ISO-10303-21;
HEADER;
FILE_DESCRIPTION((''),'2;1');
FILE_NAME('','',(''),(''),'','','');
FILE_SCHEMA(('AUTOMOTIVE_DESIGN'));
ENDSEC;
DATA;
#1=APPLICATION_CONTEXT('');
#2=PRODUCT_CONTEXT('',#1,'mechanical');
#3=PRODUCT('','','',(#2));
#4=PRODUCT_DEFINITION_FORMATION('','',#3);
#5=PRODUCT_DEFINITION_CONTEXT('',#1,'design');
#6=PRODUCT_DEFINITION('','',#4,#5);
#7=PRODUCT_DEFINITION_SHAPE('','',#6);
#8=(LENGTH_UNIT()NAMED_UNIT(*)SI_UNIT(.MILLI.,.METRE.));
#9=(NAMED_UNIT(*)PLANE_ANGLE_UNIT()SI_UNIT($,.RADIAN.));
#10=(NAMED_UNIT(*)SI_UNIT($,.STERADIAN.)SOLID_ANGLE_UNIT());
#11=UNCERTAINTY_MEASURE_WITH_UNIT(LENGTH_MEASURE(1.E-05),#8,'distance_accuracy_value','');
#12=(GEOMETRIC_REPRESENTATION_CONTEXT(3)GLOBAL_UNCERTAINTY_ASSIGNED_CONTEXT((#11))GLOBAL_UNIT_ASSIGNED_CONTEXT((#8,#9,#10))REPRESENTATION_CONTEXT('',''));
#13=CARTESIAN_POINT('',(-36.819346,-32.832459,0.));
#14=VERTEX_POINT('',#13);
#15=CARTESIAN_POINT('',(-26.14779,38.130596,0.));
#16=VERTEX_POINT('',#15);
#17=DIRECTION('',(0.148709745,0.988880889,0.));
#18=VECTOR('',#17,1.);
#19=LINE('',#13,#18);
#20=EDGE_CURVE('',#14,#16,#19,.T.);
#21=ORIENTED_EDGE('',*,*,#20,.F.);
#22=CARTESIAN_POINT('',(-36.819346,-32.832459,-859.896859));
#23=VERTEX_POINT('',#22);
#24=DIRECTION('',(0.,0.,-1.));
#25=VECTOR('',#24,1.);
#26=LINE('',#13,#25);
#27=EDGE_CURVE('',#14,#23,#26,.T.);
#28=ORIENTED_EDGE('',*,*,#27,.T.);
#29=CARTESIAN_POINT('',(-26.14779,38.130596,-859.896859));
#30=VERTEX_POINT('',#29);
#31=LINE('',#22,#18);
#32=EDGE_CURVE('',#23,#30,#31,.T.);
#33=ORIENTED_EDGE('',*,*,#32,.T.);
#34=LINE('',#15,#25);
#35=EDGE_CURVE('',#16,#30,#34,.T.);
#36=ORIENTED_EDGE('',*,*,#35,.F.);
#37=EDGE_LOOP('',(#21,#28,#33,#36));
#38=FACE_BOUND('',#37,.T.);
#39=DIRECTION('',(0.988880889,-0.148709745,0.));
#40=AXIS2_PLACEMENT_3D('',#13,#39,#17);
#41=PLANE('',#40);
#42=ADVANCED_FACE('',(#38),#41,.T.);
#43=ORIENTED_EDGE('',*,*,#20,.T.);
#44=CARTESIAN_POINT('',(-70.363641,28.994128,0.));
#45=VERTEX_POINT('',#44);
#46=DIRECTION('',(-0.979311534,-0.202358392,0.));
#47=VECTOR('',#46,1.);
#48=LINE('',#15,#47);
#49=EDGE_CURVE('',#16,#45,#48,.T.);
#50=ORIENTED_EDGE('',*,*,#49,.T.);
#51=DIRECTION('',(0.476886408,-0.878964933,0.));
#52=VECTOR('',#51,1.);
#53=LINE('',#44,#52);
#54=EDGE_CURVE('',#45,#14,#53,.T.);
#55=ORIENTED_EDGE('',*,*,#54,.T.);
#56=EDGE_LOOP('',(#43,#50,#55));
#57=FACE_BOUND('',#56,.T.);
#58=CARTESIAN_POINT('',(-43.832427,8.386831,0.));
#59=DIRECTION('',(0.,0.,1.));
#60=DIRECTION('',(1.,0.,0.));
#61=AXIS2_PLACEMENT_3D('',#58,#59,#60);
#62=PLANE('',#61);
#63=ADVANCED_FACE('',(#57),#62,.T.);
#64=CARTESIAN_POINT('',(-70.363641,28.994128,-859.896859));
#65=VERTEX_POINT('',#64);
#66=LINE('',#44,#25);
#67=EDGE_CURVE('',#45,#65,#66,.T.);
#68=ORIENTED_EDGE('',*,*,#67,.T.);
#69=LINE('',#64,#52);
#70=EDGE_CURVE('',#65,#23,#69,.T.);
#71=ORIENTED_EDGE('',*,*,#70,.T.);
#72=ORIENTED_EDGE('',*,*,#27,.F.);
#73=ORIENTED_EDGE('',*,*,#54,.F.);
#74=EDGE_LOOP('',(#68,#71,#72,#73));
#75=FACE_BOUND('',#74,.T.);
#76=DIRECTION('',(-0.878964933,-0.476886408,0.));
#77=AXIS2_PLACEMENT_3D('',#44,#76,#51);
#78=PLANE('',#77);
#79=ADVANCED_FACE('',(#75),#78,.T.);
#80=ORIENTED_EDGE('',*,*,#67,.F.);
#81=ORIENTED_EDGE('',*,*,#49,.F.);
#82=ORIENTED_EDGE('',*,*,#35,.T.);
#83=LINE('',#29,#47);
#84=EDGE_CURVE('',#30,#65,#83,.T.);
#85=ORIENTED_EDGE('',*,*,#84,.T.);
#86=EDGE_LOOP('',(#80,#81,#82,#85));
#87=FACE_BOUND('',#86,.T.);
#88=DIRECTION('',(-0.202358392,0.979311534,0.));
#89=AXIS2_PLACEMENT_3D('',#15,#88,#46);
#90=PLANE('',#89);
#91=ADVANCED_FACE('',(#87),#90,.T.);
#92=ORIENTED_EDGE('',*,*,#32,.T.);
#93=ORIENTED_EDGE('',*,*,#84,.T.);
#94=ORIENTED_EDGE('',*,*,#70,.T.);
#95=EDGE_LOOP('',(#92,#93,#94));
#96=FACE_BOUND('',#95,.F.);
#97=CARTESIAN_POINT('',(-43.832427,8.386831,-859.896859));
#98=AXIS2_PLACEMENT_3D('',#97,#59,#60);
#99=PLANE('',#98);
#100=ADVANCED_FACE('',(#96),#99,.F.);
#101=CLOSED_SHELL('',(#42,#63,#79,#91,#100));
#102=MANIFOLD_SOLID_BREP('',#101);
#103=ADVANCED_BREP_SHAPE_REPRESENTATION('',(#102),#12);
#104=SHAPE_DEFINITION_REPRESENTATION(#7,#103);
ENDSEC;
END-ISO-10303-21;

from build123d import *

# Parameters (mm, degrees)
F1_DEPTH = 859.896859


with BuildPart() as f1:
    # F0 (on Top) → F1 (new body)
    with BuildSketch(Plane.XY):
        Polygon((-26.14779, 38.130596), (-70.363641, 28.994128), (-36.819346, -32.832459), align=None)
    extrude(amount=-F1_DEPTH)


solid = f1.part
